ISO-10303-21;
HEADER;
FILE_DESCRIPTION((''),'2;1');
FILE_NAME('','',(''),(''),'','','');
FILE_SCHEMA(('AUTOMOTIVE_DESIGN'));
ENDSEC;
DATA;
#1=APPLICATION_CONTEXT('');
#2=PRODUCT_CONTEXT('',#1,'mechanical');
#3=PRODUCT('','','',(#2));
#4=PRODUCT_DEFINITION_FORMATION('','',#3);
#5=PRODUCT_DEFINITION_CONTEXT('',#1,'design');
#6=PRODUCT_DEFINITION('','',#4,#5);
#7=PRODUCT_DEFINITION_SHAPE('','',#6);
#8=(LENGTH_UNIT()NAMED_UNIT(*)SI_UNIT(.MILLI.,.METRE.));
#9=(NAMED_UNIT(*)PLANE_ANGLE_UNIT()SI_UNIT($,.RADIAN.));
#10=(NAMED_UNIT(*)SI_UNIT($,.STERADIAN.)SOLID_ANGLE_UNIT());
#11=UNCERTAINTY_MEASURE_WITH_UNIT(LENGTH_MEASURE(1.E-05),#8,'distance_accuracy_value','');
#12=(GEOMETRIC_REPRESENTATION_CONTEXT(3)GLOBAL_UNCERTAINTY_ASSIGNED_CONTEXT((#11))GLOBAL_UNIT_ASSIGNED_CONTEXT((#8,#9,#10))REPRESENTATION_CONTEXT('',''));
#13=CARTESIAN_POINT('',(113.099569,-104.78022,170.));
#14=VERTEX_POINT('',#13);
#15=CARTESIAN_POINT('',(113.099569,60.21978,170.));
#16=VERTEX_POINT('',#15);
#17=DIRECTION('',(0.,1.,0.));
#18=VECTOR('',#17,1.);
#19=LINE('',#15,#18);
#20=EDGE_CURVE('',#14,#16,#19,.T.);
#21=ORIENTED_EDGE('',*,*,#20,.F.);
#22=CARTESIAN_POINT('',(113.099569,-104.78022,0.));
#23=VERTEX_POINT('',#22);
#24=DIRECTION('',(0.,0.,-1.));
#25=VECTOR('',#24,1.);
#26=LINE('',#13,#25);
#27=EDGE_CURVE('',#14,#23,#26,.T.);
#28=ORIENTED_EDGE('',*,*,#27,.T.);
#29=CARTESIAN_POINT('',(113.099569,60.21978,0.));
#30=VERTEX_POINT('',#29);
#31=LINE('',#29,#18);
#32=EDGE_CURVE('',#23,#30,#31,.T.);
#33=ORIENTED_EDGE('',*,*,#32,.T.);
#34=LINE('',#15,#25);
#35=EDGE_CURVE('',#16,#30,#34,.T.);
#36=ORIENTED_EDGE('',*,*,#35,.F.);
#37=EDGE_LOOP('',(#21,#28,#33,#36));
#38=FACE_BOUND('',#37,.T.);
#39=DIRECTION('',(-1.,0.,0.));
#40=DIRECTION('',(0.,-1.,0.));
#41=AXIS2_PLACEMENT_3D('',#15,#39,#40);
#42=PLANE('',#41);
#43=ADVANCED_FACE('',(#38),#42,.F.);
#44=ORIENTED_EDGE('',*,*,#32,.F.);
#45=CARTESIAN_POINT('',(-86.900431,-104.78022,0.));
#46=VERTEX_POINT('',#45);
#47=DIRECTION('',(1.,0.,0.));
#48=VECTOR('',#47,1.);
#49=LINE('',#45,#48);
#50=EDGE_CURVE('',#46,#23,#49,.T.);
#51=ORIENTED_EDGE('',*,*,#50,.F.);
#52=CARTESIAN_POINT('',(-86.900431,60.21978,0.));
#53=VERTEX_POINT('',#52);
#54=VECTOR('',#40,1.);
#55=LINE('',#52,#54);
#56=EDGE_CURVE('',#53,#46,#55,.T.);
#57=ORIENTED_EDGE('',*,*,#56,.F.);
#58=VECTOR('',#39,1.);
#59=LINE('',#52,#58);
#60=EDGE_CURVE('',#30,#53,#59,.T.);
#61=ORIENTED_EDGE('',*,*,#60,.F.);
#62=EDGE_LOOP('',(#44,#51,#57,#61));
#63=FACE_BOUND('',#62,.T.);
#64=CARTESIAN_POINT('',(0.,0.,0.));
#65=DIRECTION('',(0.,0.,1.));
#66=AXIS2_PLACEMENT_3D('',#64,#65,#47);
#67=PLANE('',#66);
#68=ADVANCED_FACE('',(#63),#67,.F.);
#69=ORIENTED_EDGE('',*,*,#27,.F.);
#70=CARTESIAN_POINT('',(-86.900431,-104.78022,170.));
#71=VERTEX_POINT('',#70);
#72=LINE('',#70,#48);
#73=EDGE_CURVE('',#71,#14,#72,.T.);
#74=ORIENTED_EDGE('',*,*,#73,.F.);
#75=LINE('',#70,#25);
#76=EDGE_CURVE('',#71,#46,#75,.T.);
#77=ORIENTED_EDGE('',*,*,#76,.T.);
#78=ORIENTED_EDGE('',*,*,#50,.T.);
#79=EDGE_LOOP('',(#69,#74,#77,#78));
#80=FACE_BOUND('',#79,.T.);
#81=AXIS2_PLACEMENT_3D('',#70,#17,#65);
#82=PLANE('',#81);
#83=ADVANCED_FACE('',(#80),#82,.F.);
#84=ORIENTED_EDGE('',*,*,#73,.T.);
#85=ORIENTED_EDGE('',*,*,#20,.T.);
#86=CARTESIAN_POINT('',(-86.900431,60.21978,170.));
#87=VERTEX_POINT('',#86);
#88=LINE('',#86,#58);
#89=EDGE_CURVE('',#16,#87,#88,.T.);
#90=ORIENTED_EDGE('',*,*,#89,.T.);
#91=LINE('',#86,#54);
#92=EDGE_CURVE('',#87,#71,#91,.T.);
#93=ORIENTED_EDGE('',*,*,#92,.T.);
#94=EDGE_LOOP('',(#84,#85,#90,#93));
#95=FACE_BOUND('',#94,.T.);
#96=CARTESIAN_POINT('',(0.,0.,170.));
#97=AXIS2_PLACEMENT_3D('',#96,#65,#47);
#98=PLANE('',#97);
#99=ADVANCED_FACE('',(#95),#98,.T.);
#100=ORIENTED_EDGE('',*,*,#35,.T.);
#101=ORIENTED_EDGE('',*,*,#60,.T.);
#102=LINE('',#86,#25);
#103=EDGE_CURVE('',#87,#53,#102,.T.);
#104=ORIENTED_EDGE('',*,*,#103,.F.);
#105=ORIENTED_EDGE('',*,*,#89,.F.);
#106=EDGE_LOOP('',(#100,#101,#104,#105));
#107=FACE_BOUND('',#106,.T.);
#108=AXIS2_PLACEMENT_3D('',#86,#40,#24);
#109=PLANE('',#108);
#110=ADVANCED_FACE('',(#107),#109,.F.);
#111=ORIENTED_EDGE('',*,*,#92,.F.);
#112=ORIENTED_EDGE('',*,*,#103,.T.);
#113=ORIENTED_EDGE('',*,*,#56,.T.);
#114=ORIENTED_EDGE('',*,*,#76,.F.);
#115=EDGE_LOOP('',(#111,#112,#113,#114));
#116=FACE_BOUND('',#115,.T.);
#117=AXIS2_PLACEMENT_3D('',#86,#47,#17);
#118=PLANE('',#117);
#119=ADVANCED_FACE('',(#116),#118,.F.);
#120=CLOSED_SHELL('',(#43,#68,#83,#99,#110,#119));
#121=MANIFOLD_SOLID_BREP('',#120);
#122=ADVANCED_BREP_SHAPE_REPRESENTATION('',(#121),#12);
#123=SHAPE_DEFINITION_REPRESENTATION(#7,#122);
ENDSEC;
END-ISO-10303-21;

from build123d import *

# Parameters (mm, degrees)
SKETCH_1_W      = 200
SKETCH_1_H      = 165
EXTRUDE_1_DEPTH = 170


with BuildPart() as part:
    # 草圖1 → 填料-伸長1 (new body)
    with BuildSketch(Plane.XY):
        with Locations((13.099568544, -22.28021978)):
            Rectangle(SKETCH_1_W, SKETCH_1_H)
    extrude(amount=EXTRUDE_1_DEPTH)


solid = part.part
